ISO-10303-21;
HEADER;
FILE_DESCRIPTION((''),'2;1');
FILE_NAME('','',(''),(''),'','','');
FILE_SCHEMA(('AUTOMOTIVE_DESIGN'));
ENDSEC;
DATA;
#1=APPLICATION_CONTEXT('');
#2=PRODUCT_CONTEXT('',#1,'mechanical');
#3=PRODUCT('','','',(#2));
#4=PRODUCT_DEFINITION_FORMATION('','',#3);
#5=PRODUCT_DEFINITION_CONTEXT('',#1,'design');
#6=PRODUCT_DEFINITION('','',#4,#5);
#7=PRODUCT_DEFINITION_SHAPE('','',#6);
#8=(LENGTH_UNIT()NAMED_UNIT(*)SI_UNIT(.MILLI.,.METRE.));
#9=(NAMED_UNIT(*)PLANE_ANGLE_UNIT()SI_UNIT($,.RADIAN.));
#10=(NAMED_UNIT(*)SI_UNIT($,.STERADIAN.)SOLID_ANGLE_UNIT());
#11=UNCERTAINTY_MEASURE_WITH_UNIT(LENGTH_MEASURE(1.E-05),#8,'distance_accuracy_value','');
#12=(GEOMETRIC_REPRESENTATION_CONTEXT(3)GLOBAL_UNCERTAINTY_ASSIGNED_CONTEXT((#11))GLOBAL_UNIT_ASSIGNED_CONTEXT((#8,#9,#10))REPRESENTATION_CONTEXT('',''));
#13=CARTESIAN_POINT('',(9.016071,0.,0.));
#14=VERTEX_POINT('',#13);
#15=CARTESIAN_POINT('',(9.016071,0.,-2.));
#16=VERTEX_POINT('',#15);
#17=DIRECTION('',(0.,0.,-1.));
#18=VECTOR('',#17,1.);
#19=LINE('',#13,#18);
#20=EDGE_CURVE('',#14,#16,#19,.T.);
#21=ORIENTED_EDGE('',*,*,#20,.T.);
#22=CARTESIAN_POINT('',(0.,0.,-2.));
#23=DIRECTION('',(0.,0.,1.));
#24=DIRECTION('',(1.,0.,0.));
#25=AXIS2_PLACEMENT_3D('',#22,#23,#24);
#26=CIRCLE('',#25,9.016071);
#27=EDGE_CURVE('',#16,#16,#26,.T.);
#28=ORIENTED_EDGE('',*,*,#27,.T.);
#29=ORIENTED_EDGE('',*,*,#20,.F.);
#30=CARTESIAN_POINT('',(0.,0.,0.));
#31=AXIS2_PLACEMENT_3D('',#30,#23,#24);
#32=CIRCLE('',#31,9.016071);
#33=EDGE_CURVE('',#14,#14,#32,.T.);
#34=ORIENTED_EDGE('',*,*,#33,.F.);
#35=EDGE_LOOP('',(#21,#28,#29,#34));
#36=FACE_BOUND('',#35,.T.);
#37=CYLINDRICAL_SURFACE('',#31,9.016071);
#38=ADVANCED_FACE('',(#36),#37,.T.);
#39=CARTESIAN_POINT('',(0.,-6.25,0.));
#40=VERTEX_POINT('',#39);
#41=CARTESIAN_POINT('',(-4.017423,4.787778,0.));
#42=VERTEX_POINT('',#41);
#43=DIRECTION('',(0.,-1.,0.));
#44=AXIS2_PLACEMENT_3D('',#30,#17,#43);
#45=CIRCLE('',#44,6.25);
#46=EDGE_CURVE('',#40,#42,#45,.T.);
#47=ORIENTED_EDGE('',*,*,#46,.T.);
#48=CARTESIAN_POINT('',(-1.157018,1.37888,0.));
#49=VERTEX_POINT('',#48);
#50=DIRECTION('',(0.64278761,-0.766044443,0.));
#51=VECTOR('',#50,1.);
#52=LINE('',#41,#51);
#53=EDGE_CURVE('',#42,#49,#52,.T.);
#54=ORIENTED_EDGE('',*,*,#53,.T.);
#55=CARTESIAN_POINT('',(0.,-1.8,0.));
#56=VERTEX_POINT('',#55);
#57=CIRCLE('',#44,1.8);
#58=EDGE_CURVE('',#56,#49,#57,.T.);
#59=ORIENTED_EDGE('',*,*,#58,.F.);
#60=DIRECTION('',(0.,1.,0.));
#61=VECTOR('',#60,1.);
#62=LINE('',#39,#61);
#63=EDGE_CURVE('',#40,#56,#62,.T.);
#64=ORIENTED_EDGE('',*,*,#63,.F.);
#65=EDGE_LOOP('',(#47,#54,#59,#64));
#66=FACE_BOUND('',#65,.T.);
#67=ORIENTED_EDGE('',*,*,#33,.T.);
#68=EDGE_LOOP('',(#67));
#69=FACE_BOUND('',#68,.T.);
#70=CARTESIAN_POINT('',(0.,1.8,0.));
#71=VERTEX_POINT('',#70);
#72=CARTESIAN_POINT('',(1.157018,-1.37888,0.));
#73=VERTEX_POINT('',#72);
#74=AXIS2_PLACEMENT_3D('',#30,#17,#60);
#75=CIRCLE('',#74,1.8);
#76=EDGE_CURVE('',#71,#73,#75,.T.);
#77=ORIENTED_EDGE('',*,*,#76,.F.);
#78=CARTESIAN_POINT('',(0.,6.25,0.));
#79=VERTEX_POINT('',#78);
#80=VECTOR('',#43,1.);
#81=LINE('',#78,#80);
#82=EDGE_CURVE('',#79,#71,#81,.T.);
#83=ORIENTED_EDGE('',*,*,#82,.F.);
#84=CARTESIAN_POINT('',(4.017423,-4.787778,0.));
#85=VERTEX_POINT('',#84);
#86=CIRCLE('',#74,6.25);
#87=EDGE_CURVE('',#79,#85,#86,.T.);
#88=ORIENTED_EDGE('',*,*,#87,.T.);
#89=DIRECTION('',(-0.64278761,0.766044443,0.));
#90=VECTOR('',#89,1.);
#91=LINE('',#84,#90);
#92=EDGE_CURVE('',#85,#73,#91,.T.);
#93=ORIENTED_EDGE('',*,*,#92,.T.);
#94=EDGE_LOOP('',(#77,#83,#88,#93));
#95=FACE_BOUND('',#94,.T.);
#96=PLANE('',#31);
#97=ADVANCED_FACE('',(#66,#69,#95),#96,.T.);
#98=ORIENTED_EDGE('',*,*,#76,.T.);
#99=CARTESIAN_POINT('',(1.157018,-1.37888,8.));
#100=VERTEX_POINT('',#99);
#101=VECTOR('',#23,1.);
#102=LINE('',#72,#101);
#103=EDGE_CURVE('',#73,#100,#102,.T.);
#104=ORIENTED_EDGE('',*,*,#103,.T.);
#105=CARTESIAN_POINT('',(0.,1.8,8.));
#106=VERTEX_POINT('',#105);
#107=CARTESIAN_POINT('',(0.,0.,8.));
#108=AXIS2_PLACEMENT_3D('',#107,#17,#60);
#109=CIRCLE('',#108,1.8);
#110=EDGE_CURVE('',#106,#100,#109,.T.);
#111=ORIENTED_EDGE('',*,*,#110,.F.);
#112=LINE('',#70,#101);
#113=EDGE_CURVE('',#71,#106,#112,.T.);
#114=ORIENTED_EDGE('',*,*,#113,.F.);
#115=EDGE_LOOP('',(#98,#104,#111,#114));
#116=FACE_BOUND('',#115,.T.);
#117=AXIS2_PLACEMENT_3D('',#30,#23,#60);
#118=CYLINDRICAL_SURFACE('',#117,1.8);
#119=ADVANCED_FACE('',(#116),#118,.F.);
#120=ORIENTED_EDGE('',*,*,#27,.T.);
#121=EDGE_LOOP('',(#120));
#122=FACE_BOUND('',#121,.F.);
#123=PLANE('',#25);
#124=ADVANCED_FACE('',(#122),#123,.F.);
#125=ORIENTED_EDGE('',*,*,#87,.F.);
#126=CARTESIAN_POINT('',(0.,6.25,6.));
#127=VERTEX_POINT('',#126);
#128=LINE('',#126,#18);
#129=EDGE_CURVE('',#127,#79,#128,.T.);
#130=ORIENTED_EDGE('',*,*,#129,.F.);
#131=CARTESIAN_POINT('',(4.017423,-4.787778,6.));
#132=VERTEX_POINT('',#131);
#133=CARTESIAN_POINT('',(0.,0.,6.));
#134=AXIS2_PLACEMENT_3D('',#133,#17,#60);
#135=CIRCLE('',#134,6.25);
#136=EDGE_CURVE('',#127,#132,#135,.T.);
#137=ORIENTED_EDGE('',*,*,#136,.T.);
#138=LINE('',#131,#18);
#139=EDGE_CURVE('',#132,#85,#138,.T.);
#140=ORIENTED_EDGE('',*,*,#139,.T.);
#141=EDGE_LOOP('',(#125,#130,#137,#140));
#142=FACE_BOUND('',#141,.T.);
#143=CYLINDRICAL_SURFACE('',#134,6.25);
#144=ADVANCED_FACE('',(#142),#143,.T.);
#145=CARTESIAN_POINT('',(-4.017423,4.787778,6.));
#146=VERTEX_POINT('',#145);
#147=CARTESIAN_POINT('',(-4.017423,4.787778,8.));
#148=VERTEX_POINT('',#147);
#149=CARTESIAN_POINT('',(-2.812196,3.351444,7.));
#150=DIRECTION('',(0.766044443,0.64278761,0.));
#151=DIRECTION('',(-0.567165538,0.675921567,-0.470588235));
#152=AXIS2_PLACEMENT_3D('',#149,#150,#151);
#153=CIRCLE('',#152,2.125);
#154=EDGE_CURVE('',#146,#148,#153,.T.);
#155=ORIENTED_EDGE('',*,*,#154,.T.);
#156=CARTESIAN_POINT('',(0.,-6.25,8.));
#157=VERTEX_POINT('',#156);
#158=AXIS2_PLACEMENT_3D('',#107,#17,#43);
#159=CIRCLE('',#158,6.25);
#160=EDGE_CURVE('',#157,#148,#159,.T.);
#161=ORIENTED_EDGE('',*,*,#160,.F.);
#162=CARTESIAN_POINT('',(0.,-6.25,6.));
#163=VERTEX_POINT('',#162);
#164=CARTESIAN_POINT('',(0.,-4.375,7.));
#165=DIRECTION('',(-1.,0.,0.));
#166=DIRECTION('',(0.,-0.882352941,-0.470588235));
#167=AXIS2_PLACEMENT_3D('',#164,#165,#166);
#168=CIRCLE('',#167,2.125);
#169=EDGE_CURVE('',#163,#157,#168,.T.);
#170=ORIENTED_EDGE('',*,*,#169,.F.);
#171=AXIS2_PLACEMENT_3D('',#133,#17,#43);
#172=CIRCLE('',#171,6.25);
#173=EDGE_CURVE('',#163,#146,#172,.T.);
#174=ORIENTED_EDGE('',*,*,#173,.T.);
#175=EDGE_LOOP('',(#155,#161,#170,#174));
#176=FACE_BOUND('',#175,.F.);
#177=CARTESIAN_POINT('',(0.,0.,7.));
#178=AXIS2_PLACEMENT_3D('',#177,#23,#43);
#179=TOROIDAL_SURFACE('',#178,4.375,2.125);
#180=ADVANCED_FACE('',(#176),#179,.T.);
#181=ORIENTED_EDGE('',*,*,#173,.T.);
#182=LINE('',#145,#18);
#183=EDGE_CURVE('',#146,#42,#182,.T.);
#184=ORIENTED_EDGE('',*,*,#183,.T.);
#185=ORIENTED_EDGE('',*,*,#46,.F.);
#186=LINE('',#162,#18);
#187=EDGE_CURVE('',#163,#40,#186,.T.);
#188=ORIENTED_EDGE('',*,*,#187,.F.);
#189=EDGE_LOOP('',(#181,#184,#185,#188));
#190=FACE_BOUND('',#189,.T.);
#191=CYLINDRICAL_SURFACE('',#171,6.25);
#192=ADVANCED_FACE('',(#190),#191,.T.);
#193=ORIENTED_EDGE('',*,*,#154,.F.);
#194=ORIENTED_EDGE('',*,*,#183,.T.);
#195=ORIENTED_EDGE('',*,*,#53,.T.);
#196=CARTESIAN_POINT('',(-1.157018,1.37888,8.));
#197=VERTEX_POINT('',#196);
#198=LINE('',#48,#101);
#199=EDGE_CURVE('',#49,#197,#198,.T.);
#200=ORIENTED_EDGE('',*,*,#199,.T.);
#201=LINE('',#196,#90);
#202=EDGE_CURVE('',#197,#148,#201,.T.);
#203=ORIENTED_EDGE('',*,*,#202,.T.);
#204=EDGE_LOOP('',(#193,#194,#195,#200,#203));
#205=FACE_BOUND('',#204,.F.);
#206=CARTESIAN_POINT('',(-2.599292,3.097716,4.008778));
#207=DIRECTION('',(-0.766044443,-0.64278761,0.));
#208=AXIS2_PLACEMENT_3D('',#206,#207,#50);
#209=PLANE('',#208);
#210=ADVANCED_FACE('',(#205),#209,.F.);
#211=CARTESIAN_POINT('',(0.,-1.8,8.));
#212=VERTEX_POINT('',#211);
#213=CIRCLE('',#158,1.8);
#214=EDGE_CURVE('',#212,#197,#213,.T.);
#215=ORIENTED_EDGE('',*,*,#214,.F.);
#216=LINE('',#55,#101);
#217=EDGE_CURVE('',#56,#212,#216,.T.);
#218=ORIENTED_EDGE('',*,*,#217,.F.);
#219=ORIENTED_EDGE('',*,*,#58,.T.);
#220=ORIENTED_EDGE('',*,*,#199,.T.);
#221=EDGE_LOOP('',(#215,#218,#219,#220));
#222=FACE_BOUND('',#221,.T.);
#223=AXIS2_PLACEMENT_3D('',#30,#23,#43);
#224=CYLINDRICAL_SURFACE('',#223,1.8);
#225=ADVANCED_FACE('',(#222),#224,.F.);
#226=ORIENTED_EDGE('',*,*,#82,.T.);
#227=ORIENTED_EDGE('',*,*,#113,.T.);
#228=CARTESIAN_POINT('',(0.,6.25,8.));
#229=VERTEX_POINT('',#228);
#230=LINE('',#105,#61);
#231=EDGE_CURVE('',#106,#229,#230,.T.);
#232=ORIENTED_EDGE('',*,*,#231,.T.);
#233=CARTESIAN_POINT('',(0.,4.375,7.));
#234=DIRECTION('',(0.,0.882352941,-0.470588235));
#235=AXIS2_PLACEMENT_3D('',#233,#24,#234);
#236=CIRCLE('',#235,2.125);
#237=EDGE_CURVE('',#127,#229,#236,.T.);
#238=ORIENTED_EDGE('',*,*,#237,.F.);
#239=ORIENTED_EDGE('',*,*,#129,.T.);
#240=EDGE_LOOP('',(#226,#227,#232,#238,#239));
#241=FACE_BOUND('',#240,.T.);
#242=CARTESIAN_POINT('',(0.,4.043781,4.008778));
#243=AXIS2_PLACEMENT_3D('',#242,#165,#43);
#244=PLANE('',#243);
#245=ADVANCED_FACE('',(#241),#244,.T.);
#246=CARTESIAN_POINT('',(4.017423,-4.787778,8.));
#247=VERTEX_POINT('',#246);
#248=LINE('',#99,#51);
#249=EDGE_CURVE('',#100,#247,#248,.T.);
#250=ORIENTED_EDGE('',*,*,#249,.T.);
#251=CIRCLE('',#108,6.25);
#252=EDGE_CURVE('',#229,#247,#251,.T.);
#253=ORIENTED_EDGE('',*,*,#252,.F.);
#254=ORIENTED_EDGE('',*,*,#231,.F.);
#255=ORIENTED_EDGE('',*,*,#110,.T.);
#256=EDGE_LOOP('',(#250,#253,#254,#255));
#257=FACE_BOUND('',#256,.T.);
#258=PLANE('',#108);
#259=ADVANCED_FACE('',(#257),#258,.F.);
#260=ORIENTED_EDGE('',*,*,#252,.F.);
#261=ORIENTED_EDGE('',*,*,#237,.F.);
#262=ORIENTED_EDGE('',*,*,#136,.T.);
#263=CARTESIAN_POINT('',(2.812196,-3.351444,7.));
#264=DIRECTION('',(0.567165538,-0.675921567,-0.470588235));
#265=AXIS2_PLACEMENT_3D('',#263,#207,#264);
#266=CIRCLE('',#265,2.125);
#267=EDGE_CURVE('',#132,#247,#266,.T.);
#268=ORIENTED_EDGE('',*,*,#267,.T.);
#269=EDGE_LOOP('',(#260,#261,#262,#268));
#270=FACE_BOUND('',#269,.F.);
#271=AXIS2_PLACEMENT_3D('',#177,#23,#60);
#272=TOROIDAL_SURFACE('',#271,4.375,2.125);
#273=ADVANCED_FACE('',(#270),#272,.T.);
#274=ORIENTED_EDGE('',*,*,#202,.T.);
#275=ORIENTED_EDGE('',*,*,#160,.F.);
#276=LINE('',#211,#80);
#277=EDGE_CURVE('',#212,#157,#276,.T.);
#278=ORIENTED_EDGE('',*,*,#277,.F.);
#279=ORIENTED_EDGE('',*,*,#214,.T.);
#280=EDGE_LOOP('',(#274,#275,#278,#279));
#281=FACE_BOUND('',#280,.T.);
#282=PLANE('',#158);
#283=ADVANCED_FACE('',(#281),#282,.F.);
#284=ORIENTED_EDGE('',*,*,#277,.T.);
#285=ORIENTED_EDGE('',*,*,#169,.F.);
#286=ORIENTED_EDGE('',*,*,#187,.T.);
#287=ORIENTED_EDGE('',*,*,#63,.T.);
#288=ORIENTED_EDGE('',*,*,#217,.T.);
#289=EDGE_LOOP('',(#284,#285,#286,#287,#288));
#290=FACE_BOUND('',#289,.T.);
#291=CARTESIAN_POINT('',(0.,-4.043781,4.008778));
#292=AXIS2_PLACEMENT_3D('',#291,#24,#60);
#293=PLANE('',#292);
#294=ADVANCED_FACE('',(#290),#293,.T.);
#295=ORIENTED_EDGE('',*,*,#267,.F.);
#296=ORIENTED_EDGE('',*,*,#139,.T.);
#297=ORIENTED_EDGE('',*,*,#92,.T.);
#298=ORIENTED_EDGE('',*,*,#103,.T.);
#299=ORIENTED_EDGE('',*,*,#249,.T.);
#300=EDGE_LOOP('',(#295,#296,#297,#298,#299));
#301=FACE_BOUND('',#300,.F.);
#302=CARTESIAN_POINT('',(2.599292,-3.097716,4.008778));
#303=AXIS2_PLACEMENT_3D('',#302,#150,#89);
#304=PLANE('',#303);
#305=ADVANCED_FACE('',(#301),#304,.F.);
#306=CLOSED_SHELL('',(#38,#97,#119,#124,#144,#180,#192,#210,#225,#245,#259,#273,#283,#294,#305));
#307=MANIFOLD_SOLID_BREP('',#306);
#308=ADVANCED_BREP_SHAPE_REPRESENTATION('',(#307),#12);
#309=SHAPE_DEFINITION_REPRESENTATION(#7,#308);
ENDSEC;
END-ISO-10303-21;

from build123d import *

# Parameters (mm, degrees)
SKETCH016_R           = 9.016071
PAD004_DEPTH          = 2
REVOLUTION003_ANGLE   = -140
POLARPATTERN001_COUNT = 2


with BuildPart() as part:
    # Sketch016 → Pad004 (new body)
    with BuildSketch(Plane.XY):
        Circle(SKETCH016_R)
    extrude(amount=-PAD004_DEPTH)

    # Sketch018 → Revolution003 (revolve)
    with BuildSketch(Plane.YZ):
        with BuildLine():
            Line((1.8, 0), (1.8, 8))
            Line((1.8, 8), (6.25, 8))
            ThreePointArc((6.25, 6), (6.5, 7), (6.25, 8))
            Line((6.25, 6), (6.25, 0))
            Line((6.25, 0), (1.8, 0))
        make_face()
    revolution003 = revolve(axis=Axis((0, 0, 0), (0, 0, 1)), revolution_arc=REVOLUTION003_ANGLE)

    # PolarPattern001: Revolution003 ×2 about axis
    polarpattern001_axis = Axis((0, 0, 0), (0, 0, 1))
    for i in range(1, POLARPATTERN001_COUNT):
        add(revolution003.rotate(polarpattern001_axis, i * 360 / POLARPATTERN001_COUNT))


solid = part.part
